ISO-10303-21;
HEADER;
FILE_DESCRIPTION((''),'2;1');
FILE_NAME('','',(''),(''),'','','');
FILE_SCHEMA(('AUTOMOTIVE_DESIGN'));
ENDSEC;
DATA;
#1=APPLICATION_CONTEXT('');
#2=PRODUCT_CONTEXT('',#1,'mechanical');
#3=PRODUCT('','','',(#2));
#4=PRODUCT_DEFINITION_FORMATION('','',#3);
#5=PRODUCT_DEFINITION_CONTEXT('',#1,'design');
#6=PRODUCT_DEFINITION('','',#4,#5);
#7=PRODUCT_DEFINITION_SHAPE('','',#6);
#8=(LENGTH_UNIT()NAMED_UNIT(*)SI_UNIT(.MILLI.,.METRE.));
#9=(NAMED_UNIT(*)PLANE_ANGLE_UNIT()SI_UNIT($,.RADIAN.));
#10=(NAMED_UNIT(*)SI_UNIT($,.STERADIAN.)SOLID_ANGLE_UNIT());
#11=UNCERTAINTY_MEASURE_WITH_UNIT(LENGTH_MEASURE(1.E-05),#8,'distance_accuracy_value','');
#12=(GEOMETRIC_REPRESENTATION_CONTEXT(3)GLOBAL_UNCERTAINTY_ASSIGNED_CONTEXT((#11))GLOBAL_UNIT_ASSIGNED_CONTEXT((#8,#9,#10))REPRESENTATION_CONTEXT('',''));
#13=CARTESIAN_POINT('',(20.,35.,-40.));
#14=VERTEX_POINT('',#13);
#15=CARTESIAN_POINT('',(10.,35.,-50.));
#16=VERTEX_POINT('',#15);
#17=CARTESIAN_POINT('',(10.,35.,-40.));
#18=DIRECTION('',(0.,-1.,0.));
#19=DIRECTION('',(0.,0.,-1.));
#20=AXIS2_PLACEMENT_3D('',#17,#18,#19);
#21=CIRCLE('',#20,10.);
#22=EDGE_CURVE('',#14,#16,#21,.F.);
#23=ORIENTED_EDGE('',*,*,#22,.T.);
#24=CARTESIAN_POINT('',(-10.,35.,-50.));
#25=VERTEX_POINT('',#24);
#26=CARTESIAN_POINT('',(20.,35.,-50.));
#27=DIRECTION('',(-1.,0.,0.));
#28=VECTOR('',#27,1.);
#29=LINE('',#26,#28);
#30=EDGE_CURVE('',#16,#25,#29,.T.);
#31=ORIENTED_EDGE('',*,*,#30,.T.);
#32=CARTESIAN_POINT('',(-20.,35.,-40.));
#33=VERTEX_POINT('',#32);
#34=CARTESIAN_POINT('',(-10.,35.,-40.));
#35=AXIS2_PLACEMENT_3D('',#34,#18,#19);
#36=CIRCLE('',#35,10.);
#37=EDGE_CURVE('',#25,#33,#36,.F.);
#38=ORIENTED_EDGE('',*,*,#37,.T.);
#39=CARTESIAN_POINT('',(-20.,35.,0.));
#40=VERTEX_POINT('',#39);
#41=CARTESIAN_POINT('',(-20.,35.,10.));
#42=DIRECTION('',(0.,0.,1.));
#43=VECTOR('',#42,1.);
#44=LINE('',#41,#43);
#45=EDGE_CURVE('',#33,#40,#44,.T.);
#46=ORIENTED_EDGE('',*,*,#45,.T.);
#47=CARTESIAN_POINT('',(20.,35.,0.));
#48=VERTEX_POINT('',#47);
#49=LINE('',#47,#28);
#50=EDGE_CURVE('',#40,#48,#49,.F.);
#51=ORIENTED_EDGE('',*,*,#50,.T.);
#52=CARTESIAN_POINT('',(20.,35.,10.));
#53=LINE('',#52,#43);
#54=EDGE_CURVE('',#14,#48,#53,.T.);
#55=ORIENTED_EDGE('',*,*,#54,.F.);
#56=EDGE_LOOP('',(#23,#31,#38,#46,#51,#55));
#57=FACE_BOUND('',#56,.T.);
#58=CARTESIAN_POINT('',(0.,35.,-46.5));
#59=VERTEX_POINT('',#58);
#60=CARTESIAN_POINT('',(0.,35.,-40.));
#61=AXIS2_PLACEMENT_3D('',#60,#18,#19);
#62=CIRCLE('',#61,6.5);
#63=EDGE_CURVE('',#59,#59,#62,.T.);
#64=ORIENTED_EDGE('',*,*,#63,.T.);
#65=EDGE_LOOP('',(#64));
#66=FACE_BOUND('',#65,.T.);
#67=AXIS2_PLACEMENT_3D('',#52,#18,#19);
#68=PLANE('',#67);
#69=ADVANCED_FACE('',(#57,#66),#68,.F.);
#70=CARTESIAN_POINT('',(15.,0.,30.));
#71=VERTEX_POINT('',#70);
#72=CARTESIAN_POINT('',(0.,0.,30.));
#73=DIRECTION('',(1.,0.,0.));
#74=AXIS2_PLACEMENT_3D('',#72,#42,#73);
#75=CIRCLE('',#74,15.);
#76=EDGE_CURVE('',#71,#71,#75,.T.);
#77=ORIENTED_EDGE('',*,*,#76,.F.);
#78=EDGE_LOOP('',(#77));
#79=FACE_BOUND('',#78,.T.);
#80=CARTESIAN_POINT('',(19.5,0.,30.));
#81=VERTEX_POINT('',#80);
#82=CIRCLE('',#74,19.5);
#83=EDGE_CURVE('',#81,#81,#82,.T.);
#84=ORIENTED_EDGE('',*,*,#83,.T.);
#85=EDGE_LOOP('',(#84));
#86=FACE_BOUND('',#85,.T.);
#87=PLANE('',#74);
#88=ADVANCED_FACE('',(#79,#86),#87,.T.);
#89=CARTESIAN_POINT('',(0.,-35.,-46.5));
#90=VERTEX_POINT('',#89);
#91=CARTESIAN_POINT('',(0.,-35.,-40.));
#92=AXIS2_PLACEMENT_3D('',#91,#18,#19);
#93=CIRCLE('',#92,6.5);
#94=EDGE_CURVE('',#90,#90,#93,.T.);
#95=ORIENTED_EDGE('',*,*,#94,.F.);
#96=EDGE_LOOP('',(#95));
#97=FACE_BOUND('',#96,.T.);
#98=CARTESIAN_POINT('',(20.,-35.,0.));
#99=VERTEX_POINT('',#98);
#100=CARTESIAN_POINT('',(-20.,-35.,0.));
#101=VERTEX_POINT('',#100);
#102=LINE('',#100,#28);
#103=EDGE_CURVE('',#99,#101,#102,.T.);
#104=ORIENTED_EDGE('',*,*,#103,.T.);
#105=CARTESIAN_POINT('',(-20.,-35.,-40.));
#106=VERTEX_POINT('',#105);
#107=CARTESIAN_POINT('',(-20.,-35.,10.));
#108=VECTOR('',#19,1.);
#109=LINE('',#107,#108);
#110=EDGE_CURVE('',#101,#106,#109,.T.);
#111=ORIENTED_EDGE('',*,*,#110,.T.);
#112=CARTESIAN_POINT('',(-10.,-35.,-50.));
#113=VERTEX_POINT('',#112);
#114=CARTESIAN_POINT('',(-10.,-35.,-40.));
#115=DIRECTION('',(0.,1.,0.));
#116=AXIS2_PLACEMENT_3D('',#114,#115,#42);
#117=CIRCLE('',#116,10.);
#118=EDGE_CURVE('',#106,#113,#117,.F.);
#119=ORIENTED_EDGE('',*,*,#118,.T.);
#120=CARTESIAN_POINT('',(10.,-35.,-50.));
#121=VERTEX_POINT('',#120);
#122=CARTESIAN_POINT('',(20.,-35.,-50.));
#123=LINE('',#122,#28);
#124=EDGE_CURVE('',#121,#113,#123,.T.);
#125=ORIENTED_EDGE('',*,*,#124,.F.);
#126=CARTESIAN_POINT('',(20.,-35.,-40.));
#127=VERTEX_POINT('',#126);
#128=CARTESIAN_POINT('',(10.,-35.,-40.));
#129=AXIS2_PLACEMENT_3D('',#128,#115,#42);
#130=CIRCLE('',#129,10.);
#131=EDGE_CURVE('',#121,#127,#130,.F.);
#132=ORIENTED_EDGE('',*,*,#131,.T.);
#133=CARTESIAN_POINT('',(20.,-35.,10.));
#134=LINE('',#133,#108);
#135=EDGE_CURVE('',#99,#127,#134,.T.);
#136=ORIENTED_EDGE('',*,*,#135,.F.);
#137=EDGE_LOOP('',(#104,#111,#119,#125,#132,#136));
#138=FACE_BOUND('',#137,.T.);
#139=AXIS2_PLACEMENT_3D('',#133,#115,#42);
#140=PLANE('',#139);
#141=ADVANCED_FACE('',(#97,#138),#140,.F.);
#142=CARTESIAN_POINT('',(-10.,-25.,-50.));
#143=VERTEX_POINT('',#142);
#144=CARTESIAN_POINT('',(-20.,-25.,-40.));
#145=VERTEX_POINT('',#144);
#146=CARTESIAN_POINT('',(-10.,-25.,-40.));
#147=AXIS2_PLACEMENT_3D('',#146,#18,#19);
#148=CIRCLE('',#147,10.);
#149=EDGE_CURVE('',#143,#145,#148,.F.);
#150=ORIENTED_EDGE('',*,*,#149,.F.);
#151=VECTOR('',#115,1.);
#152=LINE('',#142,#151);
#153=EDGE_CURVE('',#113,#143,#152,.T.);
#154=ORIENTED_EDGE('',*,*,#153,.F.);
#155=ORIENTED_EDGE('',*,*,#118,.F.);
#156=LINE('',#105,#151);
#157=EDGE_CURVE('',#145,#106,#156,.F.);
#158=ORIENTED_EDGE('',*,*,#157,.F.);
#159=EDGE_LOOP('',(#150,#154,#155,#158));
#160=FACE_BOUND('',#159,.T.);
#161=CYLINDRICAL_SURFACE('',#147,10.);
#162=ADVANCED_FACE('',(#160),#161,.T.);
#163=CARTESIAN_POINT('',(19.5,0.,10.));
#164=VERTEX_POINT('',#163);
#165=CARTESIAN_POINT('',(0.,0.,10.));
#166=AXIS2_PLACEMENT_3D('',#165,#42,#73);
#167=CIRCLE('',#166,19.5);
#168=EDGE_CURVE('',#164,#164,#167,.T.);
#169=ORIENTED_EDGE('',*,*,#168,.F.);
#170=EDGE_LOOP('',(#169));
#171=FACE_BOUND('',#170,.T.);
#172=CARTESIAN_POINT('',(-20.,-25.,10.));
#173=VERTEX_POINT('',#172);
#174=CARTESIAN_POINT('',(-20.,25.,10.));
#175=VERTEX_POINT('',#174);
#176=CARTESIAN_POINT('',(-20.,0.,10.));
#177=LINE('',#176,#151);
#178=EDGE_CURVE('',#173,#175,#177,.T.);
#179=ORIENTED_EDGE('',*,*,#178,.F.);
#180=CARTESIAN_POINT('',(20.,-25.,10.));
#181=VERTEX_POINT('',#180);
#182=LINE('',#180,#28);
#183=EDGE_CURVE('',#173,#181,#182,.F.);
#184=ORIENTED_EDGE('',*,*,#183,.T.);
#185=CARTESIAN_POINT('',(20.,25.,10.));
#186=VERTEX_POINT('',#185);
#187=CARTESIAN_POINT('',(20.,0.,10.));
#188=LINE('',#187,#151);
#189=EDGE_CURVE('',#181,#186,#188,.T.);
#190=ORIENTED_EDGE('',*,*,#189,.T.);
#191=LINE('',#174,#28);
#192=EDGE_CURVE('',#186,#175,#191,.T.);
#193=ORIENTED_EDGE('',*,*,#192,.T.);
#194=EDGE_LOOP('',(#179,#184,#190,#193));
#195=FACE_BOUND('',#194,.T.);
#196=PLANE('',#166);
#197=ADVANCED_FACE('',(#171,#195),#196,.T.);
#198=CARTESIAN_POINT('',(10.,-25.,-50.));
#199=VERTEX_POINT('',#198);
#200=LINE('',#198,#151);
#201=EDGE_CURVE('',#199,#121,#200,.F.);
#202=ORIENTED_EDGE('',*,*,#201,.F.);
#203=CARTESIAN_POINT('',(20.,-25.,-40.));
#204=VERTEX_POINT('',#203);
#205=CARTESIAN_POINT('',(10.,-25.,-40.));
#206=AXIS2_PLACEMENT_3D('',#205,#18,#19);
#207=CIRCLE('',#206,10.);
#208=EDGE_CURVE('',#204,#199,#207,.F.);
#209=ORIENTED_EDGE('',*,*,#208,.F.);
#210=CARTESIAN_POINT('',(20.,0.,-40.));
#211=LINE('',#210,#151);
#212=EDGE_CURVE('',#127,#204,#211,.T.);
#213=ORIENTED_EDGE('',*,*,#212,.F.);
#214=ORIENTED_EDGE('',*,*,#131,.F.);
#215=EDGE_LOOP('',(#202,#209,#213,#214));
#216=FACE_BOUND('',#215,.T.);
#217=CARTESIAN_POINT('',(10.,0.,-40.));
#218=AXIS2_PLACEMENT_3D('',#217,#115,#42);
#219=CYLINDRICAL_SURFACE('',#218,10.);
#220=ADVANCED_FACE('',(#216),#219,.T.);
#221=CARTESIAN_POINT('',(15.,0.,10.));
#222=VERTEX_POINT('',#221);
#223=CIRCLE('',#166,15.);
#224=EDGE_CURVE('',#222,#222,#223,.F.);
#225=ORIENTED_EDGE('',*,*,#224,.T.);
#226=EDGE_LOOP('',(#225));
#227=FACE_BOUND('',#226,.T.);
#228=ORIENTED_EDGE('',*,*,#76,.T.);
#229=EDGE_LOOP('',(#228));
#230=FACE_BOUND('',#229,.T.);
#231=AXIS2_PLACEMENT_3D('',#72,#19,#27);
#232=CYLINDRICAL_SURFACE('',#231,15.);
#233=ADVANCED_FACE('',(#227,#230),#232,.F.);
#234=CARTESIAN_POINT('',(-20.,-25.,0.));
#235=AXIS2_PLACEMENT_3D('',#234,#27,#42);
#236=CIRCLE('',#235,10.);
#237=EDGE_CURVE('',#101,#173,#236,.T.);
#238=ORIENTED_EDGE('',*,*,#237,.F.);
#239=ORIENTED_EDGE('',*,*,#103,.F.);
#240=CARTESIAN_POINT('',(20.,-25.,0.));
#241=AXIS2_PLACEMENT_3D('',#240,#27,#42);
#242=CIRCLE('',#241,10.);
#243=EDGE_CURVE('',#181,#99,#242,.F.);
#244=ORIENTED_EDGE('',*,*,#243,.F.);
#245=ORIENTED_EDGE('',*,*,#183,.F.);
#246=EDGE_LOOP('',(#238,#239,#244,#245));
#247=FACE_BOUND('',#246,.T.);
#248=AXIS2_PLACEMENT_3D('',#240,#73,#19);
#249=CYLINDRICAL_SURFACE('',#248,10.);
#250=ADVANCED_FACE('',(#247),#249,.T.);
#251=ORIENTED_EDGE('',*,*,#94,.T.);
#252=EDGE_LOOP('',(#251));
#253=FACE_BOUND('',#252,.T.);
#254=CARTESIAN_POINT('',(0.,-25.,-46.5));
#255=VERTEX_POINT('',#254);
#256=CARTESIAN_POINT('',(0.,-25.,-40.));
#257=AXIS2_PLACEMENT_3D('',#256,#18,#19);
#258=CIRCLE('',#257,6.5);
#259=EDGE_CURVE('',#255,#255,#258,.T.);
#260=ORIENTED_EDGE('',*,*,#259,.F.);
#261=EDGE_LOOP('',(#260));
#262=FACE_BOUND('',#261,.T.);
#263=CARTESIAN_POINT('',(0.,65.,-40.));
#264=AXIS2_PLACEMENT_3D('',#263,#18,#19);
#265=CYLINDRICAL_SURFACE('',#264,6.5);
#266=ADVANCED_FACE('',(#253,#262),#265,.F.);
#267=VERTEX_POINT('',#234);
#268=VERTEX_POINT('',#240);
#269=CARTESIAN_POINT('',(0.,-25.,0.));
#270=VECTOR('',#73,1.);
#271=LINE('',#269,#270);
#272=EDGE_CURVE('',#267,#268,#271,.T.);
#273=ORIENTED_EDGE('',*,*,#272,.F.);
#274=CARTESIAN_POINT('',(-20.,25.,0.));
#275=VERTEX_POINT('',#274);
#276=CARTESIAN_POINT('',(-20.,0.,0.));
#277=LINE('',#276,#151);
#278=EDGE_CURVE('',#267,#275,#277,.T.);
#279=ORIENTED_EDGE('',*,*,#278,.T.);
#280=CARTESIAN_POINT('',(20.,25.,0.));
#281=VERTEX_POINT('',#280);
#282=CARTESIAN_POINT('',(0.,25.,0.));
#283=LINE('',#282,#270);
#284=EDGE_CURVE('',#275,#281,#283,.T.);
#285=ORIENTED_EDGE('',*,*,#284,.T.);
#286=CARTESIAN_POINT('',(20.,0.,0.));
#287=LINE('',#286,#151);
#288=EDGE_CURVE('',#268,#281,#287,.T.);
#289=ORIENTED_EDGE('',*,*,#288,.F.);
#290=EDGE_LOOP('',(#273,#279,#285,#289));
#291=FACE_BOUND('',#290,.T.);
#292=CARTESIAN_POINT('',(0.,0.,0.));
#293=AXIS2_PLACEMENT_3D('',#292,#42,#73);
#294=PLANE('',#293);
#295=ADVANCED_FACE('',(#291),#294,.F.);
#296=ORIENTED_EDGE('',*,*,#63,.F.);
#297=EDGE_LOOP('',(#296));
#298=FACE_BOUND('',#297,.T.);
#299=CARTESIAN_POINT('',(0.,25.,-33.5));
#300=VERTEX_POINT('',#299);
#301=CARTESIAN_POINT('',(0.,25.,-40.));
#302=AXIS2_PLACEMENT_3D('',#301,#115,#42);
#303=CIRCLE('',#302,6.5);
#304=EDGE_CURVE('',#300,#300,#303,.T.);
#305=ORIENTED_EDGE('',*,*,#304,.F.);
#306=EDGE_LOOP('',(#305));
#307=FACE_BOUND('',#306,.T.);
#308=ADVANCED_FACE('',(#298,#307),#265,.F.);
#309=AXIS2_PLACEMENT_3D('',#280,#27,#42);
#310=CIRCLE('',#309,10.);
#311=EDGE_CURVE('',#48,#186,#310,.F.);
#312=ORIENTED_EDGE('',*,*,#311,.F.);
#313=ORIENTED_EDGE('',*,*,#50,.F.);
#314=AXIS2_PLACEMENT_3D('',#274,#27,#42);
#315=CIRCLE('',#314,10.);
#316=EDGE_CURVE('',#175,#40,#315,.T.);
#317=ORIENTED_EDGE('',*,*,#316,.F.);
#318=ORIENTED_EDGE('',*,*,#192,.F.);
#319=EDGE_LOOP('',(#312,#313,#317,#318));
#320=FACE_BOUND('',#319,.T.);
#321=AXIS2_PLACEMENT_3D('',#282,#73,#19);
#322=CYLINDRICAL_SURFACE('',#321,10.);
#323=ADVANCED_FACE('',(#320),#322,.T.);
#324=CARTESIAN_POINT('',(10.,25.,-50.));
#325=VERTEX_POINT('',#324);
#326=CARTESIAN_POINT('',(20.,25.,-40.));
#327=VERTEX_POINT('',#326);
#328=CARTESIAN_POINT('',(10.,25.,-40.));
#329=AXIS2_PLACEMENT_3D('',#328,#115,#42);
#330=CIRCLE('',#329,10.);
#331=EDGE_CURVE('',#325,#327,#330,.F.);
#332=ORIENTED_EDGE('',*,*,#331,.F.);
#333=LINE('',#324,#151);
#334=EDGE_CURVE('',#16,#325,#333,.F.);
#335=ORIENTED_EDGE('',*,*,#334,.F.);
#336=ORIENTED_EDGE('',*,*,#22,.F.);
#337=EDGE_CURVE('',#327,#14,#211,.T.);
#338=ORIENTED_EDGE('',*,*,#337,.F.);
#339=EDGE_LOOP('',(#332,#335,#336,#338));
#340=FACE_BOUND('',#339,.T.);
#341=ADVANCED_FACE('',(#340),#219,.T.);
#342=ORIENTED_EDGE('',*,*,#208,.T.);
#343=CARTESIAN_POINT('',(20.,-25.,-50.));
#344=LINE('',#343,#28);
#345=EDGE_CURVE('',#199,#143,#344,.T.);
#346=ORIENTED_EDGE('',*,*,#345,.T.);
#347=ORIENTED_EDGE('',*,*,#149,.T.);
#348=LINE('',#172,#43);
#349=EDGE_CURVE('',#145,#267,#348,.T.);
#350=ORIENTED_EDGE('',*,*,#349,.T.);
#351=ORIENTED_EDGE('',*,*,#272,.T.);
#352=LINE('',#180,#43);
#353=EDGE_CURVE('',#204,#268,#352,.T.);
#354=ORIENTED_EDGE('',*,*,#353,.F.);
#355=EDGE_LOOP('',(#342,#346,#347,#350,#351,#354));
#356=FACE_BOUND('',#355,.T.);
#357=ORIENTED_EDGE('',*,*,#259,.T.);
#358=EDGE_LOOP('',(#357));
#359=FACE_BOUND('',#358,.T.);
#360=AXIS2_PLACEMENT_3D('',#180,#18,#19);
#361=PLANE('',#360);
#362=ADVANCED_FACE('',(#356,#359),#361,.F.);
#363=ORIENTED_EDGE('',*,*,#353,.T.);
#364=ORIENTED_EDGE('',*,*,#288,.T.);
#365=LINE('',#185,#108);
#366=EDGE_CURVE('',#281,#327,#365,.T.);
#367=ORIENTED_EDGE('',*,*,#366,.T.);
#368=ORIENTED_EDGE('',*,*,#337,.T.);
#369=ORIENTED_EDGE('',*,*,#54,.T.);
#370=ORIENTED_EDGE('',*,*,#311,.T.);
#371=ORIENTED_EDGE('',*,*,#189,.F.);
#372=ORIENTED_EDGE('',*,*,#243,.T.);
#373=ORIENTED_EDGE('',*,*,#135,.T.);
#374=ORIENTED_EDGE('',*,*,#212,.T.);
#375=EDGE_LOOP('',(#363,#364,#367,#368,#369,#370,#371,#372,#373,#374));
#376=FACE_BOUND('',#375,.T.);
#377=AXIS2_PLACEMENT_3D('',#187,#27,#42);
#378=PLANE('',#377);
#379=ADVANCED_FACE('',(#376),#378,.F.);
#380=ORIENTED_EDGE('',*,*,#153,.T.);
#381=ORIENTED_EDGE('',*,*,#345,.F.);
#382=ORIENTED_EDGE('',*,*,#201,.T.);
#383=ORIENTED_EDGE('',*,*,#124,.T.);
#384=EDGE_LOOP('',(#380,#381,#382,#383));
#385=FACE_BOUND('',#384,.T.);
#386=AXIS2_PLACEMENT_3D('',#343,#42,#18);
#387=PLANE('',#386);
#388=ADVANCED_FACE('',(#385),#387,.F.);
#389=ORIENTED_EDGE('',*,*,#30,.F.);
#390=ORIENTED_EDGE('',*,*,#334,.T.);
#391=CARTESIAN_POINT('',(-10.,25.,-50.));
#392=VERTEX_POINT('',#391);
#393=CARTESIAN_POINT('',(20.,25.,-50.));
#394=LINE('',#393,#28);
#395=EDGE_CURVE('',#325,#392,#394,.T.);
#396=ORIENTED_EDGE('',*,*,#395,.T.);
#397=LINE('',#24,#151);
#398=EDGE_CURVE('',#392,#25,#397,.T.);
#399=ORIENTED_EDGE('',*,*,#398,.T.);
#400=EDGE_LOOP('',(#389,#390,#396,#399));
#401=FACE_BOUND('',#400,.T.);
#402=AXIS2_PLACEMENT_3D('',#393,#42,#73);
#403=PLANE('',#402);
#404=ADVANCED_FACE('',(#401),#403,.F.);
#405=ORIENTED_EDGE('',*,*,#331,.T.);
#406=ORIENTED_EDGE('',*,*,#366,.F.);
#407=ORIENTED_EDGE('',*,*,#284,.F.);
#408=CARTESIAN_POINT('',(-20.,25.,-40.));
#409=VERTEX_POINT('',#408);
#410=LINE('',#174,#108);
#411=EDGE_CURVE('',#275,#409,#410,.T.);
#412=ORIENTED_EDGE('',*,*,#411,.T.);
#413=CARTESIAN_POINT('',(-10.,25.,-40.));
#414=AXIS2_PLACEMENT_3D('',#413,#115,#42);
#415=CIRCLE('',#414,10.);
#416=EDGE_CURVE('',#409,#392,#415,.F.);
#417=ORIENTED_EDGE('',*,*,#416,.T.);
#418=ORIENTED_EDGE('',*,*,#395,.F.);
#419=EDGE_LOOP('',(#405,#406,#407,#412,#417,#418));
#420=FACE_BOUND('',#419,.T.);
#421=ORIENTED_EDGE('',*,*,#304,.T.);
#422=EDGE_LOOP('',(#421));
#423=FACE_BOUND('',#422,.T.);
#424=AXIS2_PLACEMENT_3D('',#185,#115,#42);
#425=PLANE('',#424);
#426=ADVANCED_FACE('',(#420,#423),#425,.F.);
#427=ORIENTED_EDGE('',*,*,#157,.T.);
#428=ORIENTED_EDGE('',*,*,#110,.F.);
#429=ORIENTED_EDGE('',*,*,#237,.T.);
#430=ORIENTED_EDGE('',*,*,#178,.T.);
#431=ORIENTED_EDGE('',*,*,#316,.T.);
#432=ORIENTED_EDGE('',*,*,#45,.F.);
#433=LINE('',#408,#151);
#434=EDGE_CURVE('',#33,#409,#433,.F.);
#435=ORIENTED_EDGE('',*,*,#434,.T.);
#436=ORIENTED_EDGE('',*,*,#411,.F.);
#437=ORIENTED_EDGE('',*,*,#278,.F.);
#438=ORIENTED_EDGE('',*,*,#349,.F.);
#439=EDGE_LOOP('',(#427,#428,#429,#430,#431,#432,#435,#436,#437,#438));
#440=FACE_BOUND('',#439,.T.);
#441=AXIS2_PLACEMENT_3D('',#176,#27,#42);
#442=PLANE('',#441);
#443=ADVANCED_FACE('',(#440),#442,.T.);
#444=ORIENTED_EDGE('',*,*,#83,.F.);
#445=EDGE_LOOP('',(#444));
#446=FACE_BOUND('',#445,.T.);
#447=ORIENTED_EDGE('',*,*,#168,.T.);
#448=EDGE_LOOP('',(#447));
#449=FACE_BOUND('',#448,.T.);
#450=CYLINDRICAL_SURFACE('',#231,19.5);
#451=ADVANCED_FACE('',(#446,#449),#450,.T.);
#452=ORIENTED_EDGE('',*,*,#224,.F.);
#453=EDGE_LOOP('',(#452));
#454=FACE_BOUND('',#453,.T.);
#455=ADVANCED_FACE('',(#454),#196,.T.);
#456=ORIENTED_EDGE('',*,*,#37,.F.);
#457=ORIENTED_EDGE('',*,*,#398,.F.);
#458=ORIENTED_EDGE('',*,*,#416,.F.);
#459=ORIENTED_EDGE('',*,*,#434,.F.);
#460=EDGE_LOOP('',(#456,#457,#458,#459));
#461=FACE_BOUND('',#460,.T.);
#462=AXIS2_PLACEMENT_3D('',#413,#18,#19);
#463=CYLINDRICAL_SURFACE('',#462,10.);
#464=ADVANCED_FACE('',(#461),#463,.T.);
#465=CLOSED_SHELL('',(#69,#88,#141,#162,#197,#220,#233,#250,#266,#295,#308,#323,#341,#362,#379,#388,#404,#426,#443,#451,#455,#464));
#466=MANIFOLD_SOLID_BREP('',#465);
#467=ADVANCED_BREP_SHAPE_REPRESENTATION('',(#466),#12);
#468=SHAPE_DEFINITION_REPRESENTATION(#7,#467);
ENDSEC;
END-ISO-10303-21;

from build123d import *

# Parameters (mm, degrees)
SKETCH1_W           = 40
SKETCH1_H           = 50
BOSS_EXTRUDE1_DEPTH = 10
SKETCH3_W           = 60
SKETCH3_H           = 10
BOSS_EXTRUDE2_DEPTH = 20
FILLET1_R           = 10
SKETCH4_R           = 19.5
SKETCH4_R_2         = 15
BOSS_EXTRUDE3_DEPTH = 20
SKETCH5_R           = 6.5
CUT_EXTRUDE1_DEPTH  = 100


with BuildPart() as part:
    # Sketch1 → Boss-Extrude1 (new body)
    with BuildSketch(Plane.XY):
        Rectangle(SKETCH1_W, SKETCH1_H)
    extrude(amount=BOSS_EXTRUDE1_DEPTH)

    # Sketch3 → Boss-Extrude2 (add, symmetric)
    with BuildSketch(Plane(origin=(0, 0, 0), x_dir=(0, 0, -1), z_dir=(1, 0, 0))):
        with Locations((20, -30)):
            Rectangle(SKETCH3_W, SKETCH3_H)
        with Locations((20, 30)):
            Rectangle(SKETCH3_W, SKETCH3_H)
    extrude(amount=BOSS_EXTRUDE2_DEPTH, both=True)

    # Fillet1
    fillet1_edges = [part.edges().sort_by_distance(p)[0] for p in [
        (0, -35, 10),
        (-20, -30, -50),
        (20, -30, -50),
        (0, 35, 10),
        (-20, 30, -50),
        (20, 30, -50),
    ]]
    fillet(fillet1_edges, radius=FILLET1_R)

    # Sketch4 → Boss-Extrude3 (add)
    with BuildSketch(Plane.XY.offset(10)):
        Circle(SKETCH4_R)
        Circle(SKETCH4_R_2, mode=Mode.SUBTRACT)
    extrude(amount=BOSS_EXTRUDE3_DEPTH)

    # Sketch5 → Cut-Extrude1 (cut)
    with BuildSketch(Plane.XZ.offset(35)):
        with Locations(Location((0, -40, 0), (0, 0, 270))):
            Circle(SKETCH5_R)
    extrude(amount=-CUT_EXTRUDE1_DEPTH, mode=Mode.SUBTRACT)


solid = part.part
